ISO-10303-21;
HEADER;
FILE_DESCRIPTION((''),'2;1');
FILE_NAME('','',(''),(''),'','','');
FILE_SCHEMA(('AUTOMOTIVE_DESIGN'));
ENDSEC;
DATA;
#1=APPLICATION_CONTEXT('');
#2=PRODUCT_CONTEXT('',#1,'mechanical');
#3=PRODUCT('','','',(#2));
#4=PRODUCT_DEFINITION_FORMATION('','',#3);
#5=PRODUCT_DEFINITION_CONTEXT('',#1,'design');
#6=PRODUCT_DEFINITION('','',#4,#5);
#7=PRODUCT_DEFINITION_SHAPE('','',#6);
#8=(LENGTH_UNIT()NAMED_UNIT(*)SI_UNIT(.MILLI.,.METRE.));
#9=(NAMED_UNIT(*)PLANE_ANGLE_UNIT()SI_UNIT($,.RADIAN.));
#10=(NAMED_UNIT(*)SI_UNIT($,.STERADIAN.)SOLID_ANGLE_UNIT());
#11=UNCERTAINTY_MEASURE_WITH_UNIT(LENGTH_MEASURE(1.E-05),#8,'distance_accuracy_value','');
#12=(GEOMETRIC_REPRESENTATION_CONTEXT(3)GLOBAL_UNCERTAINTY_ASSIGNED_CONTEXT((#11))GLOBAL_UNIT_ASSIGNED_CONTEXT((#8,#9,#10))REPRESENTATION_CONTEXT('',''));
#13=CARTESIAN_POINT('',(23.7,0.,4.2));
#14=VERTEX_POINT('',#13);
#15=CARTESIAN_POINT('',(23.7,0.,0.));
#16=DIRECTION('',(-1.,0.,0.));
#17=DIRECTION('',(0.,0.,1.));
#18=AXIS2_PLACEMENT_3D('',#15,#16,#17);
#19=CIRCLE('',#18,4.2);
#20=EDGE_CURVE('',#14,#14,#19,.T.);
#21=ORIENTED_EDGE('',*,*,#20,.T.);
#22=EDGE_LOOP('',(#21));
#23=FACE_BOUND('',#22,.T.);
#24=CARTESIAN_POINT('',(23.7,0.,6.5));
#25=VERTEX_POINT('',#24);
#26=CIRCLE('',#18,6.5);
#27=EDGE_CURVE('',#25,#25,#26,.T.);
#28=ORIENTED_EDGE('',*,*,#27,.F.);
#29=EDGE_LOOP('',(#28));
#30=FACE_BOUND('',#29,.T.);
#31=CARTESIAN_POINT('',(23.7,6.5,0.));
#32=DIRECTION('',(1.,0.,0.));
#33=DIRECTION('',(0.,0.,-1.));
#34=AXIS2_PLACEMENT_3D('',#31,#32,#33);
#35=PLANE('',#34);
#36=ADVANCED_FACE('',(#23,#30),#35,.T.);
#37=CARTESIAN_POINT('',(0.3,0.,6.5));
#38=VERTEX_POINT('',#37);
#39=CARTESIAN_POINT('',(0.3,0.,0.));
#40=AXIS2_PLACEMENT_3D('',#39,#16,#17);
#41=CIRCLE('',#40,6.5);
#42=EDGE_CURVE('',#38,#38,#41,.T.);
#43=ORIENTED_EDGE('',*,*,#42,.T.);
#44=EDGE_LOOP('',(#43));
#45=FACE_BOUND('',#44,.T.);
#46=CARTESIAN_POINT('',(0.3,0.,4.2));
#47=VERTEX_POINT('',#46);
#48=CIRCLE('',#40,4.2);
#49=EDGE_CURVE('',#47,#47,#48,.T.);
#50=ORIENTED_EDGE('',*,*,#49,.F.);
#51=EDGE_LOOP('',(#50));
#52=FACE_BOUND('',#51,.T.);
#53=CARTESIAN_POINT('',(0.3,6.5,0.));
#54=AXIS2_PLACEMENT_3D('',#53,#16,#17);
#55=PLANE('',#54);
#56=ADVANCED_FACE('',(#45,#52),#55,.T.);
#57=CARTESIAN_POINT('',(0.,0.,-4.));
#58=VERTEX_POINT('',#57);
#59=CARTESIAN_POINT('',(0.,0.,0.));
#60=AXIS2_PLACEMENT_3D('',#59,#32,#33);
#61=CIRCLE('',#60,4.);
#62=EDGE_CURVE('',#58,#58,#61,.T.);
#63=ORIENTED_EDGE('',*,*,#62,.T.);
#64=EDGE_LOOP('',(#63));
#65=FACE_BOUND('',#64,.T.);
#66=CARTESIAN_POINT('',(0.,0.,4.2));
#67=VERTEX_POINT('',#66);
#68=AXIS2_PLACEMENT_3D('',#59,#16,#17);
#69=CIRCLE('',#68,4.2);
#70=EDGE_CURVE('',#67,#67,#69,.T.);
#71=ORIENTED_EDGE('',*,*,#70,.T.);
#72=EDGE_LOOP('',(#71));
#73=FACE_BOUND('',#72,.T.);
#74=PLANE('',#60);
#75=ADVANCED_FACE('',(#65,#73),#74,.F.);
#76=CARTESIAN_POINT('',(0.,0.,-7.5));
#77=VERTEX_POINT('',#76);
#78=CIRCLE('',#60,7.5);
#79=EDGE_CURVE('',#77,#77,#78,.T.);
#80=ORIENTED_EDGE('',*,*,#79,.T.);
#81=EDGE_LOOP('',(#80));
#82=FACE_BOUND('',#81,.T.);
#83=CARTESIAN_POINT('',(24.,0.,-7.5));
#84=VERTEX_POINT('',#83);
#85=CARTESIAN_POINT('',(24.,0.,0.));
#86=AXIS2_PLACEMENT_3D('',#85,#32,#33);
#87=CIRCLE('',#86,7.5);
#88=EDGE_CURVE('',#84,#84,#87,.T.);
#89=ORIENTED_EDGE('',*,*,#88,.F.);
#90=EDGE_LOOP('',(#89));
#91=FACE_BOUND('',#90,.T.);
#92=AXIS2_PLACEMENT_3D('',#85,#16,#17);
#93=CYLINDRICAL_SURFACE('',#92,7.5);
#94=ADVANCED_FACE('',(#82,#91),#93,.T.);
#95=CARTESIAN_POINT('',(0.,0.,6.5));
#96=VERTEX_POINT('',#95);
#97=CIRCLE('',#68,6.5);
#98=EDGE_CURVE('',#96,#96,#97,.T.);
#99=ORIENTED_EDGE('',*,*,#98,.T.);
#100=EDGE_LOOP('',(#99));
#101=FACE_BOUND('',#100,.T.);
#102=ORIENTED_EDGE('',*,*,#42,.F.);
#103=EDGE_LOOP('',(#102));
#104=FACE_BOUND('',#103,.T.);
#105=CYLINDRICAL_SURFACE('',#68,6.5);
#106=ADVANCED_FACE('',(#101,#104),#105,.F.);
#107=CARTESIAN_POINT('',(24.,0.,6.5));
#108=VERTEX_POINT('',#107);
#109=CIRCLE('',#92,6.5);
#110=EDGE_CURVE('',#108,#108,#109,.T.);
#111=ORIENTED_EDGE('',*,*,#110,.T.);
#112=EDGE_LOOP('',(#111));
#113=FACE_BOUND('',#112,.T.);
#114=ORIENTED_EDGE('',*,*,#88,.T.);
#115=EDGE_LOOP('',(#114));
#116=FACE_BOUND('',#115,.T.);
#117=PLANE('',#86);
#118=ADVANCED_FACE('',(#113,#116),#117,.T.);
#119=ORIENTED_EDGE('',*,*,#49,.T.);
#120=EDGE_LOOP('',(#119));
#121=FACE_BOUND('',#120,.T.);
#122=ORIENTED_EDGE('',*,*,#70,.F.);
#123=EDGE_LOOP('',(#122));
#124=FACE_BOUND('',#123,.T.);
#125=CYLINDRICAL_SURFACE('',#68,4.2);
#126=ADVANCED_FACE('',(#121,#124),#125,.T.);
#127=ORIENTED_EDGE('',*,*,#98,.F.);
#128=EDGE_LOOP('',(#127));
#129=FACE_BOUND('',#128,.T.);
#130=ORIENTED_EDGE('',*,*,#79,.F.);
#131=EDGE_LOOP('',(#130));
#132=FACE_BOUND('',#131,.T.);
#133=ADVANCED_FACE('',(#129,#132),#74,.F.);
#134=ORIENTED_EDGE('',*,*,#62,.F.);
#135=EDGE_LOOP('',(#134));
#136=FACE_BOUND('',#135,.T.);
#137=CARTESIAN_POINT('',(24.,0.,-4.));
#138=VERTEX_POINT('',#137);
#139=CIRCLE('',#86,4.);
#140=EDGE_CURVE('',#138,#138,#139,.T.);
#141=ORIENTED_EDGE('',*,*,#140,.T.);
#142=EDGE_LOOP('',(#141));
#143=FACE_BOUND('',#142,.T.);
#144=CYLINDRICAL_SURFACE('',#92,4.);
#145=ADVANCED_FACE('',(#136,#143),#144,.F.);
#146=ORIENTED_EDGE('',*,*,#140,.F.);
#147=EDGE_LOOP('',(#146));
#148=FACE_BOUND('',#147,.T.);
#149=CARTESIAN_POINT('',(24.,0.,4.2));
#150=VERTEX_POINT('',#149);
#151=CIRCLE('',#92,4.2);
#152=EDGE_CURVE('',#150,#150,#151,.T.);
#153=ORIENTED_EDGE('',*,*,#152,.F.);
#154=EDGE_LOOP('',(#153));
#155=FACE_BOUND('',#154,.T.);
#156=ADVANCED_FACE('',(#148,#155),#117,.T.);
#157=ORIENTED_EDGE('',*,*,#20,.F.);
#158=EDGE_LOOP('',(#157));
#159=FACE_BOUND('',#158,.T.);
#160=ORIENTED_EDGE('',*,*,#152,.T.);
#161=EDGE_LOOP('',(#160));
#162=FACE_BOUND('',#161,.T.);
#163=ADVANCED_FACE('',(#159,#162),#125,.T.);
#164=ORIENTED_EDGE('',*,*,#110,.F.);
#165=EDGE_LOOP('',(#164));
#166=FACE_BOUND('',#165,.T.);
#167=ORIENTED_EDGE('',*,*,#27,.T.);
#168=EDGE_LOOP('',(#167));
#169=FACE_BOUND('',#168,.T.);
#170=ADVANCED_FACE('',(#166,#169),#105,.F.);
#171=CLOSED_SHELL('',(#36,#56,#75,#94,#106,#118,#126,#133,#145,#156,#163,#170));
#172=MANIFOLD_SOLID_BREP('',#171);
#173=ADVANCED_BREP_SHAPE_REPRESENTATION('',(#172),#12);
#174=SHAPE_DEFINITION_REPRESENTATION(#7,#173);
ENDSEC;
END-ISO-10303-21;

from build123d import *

# Parameters (mm, degrees)
SKETCH1_R           = 7.5
SKETCH1_R_2         = 4
BOSS_EXTRUDE1_DEPTH = 24
SKETCH2_W           = 0.3
SKETCH2_H           = 2.3


with BuildPart() as part:
    # Sketch1 → Boss-Extrude1 (new body)
    with BuildSketch(Plane(origin=(0, 0, 0), x_dir=(0, 0, -1), z_dir=(1, 0, 0))):
        Circle(SKETCH1_R)
        Circle(SKETCH1_R_2, mode=Mode.SUBTRACT)
    extrude(amount=BOSS_EXTRUDE1_DEPTH)

    # Sketch2 → Cut-Revolve1 (revolve, cut)
    with BuildSketch(Plane.XY, mode=Mode.PRIVATE) as cut_revolve1_sk:
        with Locations((23.85, 5.35)):
            Rectangle(SKETCH2_W, SKETCH2_H)
        with Locations((0.15, 5.35)):
            Rectangle(SKETCH2_W, SKETCH2_H)
    revolve(cut_revolve1_sk.sketch.rotate(Axis((0, 0, 0), (1, 0, 0)), 90), axis=Axis((0, 0, 0), (1, 0, 0)), mode=Mode.SUBTRACT)


solid = part.part
